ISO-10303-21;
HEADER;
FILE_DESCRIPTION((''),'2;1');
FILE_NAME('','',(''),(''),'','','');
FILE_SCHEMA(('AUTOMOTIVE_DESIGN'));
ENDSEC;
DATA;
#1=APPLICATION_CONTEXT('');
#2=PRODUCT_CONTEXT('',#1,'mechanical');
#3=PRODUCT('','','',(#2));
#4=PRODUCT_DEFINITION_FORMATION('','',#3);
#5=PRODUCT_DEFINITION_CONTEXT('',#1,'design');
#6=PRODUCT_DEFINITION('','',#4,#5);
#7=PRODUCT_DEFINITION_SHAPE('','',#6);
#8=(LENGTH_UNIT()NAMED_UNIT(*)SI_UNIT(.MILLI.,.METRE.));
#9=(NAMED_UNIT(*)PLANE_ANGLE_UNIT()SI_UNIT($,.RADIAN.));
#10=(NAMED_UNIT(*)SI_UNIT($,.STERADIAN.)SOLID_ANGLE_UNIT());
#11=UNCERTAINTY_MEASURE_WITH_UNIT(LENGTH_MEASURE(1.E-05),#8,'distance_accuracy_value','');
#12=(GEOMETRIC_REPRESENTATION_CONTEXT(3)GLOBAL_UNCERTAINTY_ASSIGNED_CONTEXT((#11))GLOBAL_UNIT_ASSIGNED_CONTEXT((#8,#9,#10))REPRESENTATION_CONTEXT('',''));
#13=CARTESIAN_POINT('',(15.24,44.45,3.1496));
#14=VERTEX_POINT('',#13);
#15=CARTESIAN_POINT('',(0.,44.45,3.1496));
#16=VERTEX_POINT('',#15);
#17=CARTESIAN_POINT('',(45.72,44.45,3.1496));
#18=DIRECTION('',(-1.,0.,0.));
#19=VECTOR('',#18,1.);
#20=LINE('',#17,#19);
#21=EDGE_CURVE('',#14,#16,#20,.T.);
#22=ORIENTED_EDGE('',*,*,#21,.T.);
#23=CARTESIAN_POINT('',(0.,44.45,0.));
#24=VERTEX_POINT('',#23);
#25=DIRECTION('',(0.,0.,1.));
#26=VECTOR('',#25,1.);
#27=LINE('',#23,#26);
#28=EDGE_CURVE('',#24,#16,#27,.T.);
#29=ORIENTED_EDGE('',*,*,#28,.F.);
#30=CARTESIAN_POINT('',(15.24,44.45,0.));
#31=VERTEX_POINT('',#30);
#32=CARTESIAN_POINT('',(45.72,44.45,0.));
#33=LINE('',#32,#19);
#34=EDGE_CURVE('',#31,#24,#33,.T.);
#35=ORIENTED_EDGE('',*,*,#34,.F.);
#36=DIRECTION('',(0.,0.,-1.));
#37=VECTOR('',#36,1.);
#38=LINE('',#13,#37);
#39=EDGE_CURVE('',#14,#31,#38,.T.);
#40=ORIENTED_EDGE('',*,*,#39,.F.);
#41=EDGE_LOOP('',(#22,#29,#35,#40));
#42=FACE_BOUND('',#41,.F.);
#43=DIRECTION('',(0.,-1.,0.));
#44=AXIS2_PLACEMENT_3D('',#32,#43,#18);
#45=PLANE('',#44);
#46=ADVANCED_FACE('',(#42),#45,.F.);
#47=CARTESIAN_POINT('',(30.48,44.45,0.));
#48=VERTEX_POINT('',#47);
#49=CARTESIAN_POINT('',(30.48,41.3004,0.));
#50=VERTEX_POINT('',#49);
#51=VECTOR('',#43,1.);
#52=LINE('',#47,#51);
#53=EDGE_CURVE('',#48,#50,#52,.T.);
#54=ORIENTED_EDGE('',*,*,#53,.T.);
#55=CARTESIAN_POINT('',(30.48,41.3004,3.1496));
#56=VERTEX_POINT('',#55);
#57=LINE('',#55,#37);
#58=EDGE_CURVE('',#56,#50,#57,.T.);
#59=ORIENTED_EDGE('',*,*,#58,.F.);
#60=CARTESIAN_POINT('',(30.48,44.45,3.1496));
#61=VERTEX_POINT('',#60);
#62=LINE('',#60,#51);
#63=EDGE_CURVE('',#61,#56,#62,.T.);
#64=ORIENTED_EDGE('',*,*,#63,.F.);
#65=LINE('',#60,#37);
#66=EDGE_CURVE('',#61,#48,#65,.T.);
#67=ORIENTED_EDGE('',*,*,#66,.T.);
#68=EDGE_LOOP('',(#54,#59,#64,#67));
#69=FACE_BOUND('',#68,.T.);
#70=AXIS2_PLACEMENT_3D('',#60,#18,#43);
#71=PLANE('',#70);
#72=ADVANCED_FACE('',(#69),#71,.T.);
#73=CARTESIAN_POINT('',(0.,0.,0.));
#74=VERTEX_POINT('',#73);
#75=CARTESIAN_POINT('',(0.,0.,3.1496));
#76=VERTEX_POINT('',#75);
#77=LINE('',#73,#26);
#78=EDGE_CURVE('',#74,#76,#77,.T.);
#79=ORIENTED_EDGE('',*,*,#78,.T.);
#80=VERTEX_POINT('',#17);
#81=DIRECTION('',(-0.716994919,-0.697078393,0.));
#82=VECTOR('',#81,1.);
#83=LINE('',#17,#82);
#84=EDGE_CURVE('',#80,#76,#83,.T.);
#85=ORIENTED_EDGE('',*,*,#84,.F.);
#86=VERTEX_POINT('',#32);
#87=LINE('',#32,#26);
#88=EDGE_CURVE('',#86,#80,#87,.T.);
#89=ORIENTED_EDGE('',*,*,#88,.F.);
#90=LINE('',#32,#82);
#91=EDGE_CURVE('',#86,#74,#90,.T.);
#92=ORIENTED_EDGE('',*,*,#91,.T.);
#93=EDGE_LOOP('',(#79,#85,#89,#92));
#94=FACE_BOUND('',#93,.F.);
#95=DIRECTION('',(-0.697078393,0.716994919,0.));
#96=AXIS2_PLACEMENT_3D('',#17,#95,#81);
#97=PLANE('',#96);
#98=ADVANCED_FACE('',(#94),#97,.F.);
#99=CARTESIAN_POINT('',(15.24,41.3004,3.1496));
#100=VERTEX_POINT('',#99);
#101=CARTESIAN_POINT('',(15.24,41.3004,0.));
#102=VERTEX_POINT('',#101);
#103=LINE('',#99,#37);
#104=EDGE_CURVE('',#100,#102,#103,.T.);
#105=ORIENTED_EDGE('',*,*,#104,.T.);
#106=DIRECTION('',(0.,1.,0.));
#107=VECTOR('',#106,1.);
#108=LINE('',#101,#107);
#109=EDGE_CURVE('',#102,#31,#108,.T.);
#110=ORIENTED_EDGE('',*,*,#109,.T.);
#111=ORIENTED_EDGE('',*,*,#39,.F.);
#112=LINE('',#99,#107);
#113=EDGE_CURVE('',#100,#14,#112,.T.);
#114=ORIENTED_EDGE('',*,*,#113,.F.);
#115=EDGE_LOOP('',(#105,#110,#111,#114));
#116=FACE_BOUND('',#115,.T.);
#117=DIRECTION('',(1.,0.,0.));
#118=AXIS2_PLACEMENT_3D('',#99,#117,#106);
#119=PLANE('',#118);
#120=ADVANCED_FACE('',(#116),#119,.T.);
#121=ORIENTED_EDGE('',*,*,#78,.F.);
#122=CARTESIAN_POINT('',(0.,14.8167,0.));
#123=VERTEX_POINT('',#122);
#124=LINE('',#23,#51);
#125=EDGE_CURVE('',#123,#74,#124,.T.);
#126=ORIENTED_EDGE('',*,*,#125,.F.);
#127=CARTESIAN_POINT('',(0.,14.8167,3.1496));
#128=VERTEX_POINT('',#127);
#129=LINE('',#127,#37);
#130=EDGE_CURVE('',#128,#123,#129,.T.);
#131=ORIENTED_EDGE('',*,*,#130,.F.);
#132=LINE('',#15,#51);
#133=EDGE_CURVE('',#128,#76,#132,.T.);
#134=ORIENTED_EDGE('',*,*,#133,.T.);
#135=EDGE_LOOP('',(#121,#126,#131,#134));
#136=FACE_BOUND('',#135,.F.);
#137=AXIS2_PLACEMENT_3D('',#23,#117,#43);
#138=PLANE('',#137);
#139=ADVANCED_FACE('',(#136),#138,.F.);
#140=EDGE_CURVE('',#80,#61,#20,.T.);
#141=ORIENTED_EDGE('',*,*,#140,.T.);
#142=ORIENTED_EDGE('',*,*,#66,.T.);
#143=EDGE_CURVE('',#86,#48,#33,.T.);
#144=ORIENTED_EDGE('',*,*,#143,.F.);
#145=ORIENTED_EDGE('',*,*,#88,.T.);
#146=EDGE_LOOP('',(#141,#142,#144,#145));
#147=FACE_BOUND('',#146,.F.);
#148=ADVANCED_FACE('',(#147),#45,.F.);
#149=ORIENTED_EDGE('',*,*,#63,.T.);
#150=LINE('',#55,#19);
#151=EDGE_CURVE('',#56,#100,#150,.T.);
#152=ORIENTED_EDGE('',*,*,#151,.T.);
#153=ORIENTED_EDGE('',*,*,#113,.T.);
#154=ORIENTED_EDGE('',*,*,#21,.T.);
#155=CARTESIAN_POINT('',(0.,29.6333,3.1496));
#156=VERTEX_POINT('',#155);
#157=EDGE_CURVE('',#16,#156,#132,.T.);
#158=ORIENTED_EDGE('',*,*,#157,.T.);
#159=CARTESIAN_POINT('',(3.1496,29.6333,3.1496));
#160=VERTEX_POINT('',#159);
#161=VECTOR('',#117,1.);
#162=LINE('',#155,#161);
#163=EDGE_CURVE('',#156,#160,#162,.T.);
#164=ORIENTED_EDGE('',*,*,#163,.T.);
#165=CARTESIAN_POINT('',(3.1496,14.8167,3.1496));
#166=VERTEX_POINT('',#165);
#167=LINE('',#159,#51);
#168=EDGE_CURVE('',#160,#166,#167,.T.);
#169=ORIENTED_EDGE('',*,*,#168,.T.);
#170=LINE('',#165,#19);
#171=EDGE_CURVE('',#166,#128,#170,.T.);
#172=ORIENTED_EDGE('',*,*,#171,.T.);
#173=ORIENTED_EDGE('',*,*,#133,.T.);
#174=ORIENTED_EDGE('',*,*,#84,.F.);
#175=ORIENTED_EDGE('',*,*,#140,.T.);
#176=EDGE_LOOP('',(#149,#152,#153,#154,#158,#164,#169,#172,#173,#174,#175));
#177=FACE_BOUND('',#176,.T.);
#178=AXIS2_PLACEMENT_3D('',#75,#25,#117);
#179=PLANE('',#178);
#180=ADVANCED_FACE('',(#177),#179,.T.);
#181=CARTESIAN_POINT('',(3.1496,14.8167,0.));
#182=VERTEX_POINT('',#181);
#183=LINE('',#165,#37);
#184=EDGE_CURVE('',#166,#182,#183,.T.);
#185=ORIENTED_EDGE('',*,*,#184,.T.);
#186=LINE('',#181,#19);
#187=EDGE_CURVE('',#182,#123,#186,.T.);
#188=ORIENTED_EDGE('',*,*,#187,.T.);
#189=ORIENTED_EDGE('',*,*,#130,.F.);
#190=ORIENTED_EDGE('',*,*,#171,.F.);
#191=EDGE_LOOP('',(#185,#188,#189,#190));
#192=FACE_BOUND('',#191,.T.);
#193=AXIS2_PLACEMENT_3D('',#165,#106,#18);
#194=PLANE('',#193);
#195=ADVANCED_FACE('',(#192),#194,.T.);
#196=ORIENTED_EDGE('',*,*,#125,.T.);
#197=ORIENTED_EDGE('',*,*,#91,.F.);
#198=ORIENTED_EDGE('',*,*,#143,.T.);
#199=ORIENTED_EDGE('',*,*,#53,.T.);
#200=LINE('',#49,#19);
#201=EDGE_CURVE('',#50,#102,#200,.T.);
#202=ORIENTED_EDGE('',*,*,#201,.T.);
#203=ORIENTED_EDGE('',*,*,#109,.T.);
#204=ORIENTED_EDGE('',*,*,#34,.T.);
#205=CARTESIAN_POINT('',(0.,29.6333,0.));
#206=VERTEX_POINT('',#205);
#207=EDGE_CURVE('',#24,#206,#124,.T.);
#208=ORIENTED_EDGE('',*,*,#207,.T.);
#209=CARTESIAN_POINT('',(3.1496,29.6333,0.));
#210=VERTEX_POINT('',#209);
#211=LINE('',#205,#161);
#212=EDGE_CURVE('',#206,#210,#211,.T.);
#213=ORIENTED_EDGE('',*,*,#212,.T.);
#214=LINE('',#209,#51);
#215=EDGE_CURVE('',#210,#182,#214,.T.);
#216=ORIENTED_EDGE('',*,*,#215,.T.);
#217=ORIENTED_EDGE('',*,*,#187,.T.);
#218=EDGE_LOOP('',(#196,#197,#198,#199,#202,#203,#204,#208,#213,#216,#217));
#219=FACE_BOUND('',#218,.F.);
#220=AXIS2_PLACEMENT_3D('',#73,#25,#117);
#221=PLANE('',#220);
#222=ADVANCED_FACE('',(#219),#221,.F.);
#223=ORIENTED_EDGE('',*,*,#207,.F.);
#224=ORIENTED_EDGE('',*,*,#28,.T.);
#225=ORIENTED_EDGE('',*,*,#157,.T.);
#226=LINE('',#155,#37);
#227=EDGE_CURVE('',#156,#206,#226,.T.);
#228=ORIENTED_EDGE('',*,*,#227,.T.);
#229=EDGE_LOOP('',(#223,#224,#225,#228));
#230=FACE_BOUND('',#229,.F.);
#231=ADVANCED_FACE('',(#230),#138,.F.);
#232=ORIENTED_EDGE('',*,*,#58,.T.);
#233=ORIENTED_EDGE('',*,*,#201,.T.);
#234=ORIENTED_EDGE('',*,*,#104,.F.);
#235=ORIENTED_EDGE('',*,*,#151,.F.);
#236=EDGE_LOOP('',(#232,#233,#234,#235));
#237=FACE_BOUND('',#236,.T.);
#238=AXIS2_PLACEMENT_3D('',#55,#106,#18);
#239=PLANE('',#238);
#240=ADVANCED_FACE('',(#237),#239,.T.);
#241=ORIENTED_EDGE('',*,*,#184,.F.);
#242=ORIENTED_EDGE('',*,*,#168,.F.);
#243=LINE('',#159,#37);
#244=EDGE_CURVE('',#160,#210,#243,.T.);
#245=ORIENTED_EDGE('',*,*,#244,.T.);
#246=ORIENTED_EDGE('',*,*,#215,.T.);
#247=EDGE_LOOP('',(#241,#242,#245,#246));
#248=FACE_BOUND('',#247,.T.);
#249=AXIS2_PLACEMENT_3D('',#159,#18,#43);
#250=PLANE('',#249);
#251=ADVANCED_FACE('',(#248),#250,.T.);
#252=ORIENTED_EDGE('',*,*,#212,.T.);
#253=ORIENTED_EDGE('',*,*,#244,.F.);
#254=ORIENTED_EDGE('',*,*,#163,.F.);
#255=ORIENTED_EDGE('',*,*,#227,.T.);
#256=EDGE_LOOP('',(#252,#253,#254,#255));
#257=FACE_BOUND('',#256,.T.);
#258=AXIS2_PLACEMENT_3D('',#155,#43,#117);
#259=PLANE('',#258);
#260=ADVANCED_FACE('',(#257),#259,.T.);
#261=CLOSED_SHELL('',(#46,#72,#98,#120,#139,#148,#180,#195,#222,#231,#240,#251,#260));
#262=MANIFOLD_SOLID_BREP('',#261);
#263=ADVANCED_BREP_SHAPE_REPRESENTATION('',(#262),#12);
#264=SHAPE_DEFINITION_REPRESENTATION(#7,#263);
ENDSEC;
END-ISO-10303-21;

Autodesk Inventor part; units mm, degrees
ref_plane "YZ Plane" through (0, 0, 0) normal (1, 0, 0) x (0, 1, 0)
ref_plane "XZ Plane" through (0, 0, 0) normal (0, 1, 0) x (-1, 0, 0)
ref_plane "XY Plane" through (0, 0, 0) normal (0, 0, 1) x (1, 0, 0)
sketch "Sketch1" plane through (0, 0, 0) normal (0, 0, 1) x (1, 0, 0)
  line L0 (0, 0) -> (45.72, 0)
  line L1 (45.72, 0) -> (45.72, 44.45)
  line L2 (45.72, 44.45) -> (0, 44.45)
  line L3 (0, 44.45) -> (0, 0)
  dimension "d0" = 45.72
  dimension "d1" = 44.45
extrude "Extrusion1" add sketch "Sketch1" along normal blind 3.1496
sketch "Sketch2" plane through (0, 0, 3.1496) normal (0, 0, 1) x (1, 0, 0)
  line L0 (45.72, 44.45) -> (0, 44.45) projected
  line L1 (0, 44.45) -> (0, 0) projected
  line L2 (15.24, 44.45) -> (30.48, 44.45)
  line L3 (30.48, 44.45) -> (30.48, 41.3004)
  line L4 (30.48, 41.3004) -> (15.24, 41.3004)
  line L5 (15.24, 41.3004) -> (15.24, 44.45)
  line L6 (0, 29.6333) -> (3.1496, 29.6333)
  line L7 (3.1496, 29.6333) -> (3.1496, 14.8167)
  line L8 (3.1496, 14.8167) -> (0, 14.8167)
  line L9 (0, 14.8167) -> (0, 29.6333)
  dimension "d4" = 15.24
  dimension "d5" = 3.1496
  dimension "d6" = 15.24
  dimension "d7" = 3.1496
  dimension "d8" = 14.8167
  dimension "d9" = 14.8167
extrude "Extrusion2" cut sketch "Sketch2" against normal blind 3.1496
sketch "Sketch3" plane through (0, 0, 3.1496) normal (0, 0, 1) x (1, 0, 0)
  line L0 (0, 0) -> (45.72, 0) projected
  line L1 (45.72, 0) -> (45.72, 44.45) projected
  line L2 (45.72, 44.45) -> (0, 0)
  line L3 (45.72, 0) -> (45.72, 44.45)
extrude "Extrusion3" cut sketch "Sketch3" against normal blind 3.1496
equation "\"d0\" = angleLength"
equation "\"d1\" = angleHeight"
equation "\"d2\" = thick"
equation "\"d4\" = 0.333333 * angleLength"
equation "\"d5\" = thick"
equation "\"d6\" = 0.333333 * angleLength"
equation "\"d7\" = thick"
equation "\"d8\" = 0.333333 * angleHeight"
equation "\"d9\" = 0.333333 * angleHeight"
equation "\"d10\" = thick"
equation "\"d12\" = thick"
equation "\"thick\" = 3.1496"
equation "\"angleLength\" = 45.72"
equation "\"angleHeight\" = 44.45"
properties part number "AngleSide"
